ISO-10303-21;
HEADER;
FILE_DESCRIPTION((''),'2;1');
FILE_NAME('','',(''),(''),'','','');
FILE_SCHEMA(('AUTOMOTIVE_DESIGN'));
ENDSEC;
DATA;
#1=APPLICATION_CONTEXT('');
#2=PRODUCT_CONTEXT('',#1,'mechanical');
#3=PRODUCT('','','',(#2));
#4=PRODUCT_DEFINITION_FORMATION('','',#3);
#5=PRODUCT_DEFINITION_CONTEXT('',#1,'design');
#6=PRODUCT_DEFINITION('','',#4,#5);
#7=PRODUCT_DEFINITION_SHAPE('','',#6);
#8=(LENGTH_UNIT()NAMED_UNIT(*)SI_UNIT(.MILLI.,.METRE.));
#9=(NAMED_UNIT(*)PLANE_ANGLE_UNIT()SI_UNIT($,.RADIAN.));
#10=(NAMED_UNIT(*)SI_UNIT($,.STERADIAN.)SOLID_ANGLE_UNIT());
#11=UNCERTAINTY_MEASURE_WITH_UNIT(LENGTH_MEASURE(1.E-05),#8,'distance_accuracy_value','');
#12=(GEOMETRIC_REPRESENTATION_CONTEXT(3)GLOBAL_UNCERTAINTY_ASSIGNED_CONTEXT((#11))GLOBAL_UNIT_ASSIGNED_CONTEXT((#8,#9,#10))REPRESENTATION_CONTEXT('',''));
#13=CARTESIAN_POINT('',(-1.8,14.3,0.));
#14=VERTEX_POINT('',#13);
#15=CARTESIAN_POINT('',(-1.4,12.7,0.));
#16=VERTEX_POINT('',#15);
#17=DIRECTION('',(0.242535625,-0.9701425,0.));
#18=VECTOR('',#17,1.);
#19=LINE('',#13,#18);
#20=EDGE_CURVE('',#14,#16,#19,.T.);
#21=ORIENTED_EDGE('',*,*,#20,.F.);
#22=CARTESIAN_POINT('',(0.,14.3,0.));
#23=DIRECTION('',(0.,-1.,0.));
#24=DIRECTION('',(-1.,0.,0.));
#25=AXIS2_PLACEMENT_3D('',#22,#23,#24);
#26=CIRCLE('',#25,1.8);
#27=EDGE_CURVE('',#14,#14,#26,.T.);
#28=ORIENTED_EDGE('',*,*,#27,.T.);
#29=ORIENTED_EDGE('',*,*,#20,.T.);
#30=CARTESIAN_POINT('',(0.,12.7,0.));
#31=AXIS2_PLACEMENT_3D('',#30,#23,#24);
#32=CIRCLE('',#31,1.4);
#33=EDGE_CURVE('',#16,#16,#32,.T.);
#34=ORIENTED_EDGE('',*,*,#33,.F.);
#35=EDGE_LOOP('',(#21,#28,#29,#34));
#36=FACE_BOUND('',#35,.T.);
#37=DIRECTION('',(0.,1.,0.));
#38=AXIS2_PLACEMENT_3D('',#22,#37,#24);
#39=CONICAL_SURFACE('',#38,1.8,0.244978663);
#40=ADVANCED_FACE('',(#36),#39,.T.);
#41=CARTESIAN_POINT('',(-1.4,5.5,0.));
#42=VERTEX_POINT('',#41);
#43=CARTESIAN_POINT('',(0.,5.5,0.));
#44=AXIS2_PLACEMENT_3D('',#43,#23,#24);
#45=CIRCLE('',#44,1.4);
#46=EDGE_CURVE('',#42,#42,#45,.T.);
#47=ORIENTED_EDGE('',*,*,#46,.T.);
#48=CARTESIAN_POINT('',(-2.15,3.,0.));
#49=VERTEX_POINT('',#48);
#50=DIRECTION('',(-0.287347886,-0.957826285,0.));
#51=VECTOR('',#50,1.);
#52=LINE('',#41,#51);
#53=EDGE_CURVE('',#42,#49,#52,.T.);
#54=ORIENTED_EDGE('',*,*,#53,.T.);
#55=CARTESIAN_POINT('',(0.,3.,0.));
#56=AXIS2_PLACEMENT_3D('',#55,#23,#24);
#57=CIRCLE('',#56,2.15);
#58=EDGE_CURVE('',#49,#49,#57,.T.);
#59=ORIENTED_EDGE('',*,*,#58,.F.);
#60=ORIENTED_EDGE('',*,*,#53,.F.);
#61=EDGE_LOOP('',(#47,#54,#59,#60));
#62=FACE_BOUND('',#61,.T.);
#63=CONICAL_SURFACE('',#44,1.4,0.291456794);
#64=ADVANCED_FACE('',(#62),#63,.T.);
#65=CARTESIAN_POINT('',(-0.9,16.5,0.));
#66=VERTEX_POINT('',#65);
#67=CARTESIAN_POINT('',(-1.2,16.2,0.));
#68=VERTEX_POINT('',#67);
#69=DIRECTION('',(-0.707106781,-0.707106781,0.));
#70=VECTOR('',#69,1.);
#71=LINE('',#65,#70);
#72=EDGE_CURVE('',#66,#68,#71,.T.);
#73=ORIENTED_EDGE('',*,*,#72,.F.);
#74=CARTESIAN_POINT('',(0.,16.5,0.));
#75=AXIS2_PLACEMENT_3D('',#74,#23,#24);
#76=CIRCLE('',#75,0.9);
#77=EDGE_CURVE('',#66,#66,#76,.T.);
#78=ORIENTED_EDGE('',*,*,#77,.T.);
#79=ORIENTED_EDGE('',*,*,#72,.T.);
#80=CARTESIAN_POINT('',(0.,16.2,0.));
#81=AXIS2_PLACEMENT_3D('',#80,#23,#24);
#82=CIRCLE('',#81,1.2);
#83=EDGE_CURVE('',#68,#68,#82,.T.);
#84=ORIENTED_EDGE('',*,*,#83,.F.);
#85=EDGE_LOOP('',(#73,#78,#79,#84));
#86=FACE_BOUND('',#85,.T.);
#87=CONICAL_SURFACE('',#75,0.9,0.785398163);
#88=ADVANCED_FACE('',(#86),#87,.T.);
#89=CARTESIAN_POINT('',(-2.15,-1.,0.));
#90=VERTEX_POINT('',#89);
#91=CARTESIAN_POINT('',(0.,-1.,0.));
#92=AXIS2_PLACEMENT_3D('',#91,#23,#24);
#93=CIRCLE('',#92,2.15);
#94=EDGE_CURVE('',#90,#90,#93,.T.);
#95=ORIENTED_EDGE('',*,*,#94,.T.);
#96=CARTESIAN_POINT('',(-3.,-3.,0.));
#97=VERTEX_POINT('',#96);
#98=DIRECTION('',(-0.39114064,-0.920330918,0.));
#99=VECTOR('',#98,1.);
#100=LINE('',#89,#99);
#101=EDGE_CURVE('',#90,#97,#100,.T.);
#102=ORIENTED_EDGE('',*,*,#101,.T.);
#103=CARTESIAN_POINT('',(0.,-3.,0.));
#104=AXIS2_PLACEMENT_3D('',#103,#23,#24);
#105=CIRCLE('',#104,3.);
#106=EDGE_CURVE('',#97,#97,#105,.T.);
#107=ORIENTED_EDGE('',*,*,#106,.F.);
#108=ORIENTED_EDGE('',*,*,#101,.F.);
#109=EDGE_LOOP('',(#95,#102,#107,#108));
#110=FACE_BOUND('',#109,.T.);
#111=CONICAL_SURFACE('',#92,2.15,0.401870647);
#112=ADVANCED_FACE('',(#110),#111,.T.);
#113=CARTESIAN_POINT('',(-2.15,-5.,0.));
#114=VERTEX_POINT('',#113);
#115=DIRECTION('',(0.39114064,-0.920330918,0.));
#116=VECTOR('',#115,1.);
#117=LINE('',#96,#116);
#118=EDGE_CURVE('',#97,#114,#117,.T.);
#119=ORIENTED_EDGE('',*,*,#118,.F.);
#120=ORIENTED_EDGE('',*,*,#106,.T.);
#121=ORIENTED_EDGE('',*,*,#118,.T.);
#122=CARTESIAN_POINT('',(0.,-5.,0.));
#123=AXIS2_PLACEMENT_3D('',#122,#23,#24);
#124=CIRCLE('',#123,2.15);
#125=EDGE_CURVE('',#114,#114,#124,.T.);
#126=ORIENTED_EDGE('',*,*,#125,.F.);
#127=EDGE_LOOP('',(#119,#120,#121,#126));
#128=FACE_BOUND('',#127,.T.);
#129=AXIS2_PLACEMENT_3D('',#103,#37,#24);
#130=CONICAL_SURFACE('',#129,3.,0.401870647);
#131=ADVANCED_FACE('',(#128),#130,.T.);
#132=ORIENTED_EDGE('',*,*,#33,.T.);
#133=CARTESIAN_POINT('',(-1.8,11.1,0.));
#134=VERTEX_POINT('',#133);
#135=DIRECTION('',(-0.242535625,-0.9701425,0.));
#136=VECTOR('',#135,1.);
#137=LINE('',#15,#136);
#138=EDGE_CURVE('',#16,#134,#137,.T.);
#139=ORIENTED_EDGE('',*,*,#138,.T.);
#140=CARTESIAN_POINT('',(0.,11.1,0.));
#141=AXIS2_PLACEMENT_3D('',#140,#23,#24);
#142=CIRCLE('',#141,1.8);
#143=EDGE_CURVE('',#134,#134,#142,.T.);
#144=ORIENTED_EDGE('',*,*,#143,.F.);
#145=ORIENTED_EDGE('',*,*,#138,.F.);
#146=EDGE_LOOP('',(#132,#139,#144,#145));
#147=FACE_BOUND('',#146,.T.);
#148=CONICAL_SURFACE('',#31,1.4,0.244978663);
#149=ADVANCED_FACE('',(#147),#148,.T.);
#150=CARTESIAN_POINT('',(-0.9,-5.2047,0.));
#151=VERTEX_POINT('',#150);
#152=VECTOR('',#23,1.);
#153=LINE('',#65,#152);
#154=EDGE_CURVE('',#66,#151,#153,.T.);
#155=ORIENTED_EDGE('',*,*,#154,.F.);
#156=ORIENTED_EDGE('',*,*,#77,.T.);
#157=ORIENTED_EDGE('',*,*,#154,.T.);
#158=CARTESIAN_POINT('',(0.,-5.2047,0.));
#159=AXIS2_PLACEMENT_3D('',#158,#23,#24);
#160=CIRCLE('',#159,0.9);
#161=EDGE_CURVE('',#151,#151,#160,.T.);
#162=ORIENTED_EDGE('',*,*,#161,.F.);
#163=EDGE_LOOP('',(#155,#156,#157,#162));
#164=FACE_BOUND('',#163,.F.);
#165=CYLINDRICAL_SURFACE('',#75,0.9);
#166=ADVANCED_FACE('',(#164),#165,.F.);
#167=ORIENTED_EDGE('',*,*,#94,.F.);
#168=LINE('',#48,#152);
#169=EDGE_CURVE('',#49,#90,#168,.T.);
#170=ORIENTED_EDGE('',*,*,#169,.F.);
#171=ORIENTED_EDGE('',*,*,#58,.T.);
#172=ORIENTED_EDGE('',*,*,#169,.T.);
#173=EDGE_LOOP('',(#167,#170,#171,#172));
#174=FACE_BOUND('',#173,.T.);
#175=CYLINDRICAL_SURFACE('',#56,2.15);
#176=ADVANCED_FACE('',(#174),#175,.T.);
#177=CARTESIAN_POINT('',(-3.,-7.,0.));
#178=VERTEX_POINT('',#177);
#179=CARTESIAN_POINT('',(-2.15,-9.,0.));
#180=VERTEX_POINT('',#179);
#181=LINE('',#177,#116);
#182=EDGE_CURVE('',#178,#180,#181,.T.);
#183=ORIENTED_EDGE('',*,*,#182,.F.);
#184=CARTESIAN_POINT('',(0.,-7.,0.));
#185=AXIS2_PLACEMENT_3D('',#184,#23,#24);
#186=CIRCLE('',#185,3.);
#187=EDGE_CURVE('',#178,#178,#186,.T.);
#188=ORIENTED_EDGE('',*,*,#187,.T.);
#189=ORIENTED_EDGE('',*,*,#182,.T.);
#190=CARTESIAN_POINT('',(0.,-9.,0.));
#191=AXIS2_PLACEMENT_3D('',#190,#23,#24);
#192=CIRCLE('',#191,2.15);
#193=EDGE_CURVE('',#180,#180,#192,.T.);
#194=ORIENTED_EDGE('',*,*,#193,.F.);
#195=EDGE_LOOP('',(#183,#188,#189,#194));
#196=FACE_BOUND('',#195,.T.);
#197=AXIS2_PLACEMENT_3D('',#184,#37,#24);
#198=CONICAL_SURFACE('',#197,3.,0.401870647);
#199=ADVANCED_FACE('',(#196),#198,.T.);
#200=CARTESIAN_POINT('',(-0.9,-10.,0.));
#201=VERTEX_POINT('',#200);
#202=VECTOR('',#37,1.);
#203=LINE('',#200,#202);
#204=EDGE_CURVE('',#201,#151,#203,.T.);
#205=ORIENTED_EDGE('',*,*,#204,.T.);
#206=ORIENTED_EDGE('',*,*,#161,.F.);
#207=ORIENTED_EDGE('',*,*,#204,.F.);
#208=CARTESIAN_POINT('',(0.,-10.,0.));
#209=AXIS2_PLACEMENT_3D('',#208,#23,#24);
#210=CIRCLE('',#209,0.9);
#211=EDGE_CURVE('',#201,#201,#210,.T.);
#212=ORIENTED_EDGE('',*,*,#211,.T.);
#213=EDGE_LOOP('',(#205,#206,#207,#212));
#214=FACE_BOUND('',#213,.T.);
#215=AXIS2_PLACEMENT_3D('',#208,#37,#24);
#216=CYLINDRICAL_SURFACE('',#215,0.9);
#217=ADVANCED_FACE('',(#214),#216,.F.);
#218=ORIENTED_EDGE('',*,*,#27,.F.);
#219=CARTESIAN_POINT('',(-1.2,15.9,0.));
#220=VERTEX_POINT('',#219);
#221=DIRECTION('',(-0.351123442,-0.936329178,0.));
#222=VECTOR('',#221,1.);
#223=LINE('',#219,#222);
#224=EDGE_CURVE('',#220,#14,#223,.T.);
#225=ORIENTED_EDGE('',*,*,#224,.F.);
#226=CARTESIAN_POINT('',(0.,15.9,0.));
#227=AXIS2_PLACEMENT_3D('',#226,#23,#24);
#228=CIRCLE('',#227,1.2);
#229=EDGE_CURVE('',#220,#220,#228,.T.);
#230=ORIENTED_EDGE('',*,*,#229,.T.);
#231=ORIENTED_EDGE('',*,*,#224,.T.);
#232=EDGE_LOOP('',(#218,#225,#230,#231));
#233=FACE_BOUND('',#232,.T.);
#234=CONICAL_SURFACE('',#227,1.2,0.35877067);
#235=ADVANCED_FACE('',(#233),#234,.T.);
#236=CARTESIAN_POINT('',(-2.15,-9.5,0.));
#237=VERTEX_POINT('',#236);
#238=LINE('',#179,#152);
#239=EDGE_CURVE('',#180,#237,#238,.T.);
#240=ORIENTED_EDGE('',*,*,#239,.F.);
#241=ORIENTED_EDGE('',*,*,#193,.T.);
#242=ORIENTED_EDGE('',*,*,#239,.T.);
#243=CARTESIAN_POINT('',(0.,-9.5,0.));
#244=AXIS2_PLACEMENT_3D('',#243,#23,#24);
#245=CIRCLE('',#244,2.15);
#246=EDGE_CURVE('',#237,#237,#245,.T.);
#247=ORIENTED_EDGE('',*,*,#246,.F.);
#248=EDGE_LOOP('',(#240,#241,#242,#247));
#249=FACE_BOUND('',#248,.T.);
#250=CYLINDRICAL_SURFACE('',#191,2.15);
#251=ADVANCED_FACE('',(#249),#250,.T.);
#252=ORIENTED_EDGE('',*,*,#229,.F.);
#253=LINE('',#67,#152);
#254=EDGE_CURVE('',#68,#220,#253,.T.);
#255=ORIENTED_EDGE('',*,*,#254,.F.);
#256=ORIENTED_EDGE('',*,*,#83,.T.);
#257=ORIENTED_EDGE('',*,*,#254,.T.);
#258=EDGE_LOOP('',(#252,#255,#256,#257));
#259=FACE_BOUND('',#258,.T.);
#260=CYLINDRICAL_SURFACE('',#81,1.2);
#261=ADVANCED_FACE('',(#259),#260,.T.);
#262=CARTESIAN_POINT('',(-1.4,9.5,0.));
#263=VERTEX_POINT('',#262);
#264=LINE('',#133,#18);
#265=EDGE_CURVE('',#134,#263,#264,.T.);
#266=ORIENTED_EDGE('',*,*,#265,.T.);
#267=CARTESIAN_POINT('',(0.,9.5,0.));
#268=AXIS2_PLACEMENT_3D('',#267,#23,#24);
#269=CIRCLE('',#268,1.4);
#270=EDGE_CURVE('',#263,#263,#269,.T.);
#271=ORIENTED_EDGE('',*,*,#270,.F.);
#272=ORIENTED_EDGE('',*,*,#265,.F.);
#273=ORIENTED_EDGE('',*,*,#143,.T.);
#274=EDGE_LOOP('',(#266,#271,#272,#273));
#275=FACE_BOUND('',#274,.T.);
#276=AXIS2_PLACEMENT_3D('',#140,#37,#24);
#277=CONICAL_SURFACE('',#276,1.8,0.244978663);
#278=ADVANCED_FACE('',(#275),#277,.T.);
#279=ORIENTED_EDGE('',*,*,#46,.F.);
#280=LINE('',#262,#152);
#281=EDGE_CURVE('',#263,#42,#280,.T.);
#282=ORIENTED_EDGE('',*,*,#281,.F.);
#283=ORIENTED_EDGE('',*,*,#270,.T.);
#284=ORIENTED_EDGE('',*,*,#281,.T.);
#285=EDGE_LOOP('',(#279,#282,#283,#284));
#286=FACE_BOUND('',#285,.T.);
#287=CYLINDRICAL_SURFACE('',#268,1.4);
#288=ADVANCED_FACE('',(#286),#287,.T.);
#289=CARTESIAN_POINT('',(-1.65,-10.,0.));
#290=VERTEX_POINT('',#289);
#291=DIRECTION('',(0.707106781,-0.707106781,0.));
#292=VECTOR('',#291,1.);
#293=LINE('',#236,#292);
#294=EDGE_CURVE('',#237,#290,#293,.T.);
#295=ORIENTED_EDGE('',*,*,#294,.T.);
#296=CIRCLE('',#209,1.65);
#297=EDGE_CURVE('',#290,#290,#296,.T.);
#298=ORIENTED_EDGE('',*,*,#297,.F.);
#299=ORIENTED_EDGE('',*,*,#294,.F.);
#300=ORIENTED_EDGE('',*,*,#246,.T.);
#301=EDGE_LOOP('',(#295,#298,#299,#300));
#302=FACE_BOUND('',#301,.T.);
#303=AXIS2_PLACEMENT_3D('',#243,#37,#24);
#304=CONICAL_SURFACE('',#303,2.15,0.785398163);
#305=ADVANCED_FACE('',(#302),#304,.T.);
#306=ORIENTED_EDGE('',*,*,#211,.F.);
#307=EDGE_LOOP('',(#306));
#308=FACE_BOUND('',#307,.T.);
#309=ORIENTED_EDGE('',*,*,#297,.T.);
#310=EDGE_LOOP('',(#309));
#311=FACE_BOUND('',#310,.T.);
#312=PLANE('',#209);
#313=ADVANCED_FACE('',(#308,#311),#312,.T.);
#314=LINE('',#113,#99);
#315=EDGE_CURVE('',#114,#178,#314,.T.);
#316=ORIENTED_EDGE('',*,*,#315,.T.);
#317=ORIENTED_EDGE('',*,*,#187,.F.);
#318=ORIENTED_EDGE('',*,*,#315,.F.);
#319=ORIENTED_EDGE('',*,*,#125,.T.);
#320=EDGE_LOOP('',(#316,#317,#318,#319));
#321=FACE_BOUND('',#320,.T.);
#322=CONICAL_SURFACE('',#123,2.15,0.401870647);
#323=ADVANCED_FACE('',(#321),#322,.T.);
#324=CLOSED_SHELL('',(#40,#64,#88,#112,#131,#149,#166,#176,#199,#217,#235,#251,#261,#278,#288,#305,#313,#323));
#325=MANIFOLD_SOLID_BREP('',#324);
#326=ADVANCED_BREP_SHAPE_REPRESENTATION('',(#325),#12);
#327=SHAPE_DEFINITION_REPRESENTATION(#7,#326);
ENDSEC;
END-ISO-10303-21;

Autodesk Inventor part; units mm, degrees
ref_plane "YZ Plane" through (0, 0, 0) normal (1, 0, 0) x (0, 1, 0)
ref_plane "XZ Plane" through (0, 0, 0) normal (0, 1, 0) x (-1, 0, 0)
ref_plane "XY Plane" through (0, 0, 0) normal (0, 0, 1) x (1, 0, 0)
sketch "Sketch1" plane through (0, 0, 0) normal (0, 0, 1) x (1, 0, 0)
  line L0 (-0.9, 16.5) -> (-0.9, -5.2047)
  line L1 (0, 21.8) -> (0, -15.3) construction
  line L2 (-0.9, 16.5) -> (-1.2, 16.2)
  line L3 (-1.2, 16.2) -> (-1.2, 15.9)
  line L4 (-1.2, 15.9) -> (-1.8, 14.3)
  line L5 (-1.8, 14.3) -> (-1.4, 12.7)
  line L6 (-1.4, 12.7) -> (-1.8, 11.1)
  line L7 (-1.8, 11.1) -> (-1.4, 9.5)
  line L8 (-1.4, 9.5) -> (-1.4, 5.5)
  line L9 (-1.4, 5.5) -> (-2.15, 3)
  line L10 (-2.15, 3) -> (-2.15, -1)
  line L11 (-2.15, -1) -> (-3, -3)
  line L12 (-3, -3) -> (-2.15, -5)
  line L13 (-2.15, -5) -> (-3, -7)
  line L14 (-3, -7) -> (-2.15, -9)
  line L15 (-2.15, -9) -> (-2.15, -9.5)
  line L16 (-2.15, -9.5) -> (-1.65, -10)
  line L17 (-1.65, -10) -> (-0.9, -10)
  line L18 (-0.9, -10) -> (-0.9, -5.2047)
  line L19 (-3.42, 0) -> (-0.48, 0) construction
  dimension "d5" = 0.9
  dimension "d6" = 1.8
  dimension "d15" = 1.2
  dimension "d16" = 1.8
  dimension "d18" = 45
  dimension "d19" = 0.3
  dimension "d20" = 1.4
  dimension "d21" = 1.4
  dimension "d22" = 1.6
  dimension "d23" = 1.6
  dimension "d24" = 1.6
  dimension "d27" = 4
  dimension "d29" = 2.5
  dimension "d30" = 2.15
  dimension "d31" = 4
  dimension "d32" = 1.6
  dimension "d33" = 2
  dimension "d34" = 2
  dimension "d35" = 2
  dimension "d36" = 2
  dimension "d37" = 3
  dimension "d38" = 2.15
  dimension "d39" = 3
  dimension "d41" = 45
  dimension "d42" = 0.5
  dimension "d43" = 0.5
  dimension "d44" = 10
revolve "Revolution1" add sketch "Sketch1" angle 360 about axis through (0, 0, 0) along (0, -1, 0)
equation "\"d23\" = d22"
equation "\"d24\" = d22"
equation "\"d32\" = d22"
equation "\"d34\" = d33"
equation "\"d35\" = d33"
equation "\"d36\" = d33"
equation "\"d38\" = d30"
equation "\"d39\" = d37"
properties part number "Barbed to Barbed 4mm ID to 2.4mm ID"
